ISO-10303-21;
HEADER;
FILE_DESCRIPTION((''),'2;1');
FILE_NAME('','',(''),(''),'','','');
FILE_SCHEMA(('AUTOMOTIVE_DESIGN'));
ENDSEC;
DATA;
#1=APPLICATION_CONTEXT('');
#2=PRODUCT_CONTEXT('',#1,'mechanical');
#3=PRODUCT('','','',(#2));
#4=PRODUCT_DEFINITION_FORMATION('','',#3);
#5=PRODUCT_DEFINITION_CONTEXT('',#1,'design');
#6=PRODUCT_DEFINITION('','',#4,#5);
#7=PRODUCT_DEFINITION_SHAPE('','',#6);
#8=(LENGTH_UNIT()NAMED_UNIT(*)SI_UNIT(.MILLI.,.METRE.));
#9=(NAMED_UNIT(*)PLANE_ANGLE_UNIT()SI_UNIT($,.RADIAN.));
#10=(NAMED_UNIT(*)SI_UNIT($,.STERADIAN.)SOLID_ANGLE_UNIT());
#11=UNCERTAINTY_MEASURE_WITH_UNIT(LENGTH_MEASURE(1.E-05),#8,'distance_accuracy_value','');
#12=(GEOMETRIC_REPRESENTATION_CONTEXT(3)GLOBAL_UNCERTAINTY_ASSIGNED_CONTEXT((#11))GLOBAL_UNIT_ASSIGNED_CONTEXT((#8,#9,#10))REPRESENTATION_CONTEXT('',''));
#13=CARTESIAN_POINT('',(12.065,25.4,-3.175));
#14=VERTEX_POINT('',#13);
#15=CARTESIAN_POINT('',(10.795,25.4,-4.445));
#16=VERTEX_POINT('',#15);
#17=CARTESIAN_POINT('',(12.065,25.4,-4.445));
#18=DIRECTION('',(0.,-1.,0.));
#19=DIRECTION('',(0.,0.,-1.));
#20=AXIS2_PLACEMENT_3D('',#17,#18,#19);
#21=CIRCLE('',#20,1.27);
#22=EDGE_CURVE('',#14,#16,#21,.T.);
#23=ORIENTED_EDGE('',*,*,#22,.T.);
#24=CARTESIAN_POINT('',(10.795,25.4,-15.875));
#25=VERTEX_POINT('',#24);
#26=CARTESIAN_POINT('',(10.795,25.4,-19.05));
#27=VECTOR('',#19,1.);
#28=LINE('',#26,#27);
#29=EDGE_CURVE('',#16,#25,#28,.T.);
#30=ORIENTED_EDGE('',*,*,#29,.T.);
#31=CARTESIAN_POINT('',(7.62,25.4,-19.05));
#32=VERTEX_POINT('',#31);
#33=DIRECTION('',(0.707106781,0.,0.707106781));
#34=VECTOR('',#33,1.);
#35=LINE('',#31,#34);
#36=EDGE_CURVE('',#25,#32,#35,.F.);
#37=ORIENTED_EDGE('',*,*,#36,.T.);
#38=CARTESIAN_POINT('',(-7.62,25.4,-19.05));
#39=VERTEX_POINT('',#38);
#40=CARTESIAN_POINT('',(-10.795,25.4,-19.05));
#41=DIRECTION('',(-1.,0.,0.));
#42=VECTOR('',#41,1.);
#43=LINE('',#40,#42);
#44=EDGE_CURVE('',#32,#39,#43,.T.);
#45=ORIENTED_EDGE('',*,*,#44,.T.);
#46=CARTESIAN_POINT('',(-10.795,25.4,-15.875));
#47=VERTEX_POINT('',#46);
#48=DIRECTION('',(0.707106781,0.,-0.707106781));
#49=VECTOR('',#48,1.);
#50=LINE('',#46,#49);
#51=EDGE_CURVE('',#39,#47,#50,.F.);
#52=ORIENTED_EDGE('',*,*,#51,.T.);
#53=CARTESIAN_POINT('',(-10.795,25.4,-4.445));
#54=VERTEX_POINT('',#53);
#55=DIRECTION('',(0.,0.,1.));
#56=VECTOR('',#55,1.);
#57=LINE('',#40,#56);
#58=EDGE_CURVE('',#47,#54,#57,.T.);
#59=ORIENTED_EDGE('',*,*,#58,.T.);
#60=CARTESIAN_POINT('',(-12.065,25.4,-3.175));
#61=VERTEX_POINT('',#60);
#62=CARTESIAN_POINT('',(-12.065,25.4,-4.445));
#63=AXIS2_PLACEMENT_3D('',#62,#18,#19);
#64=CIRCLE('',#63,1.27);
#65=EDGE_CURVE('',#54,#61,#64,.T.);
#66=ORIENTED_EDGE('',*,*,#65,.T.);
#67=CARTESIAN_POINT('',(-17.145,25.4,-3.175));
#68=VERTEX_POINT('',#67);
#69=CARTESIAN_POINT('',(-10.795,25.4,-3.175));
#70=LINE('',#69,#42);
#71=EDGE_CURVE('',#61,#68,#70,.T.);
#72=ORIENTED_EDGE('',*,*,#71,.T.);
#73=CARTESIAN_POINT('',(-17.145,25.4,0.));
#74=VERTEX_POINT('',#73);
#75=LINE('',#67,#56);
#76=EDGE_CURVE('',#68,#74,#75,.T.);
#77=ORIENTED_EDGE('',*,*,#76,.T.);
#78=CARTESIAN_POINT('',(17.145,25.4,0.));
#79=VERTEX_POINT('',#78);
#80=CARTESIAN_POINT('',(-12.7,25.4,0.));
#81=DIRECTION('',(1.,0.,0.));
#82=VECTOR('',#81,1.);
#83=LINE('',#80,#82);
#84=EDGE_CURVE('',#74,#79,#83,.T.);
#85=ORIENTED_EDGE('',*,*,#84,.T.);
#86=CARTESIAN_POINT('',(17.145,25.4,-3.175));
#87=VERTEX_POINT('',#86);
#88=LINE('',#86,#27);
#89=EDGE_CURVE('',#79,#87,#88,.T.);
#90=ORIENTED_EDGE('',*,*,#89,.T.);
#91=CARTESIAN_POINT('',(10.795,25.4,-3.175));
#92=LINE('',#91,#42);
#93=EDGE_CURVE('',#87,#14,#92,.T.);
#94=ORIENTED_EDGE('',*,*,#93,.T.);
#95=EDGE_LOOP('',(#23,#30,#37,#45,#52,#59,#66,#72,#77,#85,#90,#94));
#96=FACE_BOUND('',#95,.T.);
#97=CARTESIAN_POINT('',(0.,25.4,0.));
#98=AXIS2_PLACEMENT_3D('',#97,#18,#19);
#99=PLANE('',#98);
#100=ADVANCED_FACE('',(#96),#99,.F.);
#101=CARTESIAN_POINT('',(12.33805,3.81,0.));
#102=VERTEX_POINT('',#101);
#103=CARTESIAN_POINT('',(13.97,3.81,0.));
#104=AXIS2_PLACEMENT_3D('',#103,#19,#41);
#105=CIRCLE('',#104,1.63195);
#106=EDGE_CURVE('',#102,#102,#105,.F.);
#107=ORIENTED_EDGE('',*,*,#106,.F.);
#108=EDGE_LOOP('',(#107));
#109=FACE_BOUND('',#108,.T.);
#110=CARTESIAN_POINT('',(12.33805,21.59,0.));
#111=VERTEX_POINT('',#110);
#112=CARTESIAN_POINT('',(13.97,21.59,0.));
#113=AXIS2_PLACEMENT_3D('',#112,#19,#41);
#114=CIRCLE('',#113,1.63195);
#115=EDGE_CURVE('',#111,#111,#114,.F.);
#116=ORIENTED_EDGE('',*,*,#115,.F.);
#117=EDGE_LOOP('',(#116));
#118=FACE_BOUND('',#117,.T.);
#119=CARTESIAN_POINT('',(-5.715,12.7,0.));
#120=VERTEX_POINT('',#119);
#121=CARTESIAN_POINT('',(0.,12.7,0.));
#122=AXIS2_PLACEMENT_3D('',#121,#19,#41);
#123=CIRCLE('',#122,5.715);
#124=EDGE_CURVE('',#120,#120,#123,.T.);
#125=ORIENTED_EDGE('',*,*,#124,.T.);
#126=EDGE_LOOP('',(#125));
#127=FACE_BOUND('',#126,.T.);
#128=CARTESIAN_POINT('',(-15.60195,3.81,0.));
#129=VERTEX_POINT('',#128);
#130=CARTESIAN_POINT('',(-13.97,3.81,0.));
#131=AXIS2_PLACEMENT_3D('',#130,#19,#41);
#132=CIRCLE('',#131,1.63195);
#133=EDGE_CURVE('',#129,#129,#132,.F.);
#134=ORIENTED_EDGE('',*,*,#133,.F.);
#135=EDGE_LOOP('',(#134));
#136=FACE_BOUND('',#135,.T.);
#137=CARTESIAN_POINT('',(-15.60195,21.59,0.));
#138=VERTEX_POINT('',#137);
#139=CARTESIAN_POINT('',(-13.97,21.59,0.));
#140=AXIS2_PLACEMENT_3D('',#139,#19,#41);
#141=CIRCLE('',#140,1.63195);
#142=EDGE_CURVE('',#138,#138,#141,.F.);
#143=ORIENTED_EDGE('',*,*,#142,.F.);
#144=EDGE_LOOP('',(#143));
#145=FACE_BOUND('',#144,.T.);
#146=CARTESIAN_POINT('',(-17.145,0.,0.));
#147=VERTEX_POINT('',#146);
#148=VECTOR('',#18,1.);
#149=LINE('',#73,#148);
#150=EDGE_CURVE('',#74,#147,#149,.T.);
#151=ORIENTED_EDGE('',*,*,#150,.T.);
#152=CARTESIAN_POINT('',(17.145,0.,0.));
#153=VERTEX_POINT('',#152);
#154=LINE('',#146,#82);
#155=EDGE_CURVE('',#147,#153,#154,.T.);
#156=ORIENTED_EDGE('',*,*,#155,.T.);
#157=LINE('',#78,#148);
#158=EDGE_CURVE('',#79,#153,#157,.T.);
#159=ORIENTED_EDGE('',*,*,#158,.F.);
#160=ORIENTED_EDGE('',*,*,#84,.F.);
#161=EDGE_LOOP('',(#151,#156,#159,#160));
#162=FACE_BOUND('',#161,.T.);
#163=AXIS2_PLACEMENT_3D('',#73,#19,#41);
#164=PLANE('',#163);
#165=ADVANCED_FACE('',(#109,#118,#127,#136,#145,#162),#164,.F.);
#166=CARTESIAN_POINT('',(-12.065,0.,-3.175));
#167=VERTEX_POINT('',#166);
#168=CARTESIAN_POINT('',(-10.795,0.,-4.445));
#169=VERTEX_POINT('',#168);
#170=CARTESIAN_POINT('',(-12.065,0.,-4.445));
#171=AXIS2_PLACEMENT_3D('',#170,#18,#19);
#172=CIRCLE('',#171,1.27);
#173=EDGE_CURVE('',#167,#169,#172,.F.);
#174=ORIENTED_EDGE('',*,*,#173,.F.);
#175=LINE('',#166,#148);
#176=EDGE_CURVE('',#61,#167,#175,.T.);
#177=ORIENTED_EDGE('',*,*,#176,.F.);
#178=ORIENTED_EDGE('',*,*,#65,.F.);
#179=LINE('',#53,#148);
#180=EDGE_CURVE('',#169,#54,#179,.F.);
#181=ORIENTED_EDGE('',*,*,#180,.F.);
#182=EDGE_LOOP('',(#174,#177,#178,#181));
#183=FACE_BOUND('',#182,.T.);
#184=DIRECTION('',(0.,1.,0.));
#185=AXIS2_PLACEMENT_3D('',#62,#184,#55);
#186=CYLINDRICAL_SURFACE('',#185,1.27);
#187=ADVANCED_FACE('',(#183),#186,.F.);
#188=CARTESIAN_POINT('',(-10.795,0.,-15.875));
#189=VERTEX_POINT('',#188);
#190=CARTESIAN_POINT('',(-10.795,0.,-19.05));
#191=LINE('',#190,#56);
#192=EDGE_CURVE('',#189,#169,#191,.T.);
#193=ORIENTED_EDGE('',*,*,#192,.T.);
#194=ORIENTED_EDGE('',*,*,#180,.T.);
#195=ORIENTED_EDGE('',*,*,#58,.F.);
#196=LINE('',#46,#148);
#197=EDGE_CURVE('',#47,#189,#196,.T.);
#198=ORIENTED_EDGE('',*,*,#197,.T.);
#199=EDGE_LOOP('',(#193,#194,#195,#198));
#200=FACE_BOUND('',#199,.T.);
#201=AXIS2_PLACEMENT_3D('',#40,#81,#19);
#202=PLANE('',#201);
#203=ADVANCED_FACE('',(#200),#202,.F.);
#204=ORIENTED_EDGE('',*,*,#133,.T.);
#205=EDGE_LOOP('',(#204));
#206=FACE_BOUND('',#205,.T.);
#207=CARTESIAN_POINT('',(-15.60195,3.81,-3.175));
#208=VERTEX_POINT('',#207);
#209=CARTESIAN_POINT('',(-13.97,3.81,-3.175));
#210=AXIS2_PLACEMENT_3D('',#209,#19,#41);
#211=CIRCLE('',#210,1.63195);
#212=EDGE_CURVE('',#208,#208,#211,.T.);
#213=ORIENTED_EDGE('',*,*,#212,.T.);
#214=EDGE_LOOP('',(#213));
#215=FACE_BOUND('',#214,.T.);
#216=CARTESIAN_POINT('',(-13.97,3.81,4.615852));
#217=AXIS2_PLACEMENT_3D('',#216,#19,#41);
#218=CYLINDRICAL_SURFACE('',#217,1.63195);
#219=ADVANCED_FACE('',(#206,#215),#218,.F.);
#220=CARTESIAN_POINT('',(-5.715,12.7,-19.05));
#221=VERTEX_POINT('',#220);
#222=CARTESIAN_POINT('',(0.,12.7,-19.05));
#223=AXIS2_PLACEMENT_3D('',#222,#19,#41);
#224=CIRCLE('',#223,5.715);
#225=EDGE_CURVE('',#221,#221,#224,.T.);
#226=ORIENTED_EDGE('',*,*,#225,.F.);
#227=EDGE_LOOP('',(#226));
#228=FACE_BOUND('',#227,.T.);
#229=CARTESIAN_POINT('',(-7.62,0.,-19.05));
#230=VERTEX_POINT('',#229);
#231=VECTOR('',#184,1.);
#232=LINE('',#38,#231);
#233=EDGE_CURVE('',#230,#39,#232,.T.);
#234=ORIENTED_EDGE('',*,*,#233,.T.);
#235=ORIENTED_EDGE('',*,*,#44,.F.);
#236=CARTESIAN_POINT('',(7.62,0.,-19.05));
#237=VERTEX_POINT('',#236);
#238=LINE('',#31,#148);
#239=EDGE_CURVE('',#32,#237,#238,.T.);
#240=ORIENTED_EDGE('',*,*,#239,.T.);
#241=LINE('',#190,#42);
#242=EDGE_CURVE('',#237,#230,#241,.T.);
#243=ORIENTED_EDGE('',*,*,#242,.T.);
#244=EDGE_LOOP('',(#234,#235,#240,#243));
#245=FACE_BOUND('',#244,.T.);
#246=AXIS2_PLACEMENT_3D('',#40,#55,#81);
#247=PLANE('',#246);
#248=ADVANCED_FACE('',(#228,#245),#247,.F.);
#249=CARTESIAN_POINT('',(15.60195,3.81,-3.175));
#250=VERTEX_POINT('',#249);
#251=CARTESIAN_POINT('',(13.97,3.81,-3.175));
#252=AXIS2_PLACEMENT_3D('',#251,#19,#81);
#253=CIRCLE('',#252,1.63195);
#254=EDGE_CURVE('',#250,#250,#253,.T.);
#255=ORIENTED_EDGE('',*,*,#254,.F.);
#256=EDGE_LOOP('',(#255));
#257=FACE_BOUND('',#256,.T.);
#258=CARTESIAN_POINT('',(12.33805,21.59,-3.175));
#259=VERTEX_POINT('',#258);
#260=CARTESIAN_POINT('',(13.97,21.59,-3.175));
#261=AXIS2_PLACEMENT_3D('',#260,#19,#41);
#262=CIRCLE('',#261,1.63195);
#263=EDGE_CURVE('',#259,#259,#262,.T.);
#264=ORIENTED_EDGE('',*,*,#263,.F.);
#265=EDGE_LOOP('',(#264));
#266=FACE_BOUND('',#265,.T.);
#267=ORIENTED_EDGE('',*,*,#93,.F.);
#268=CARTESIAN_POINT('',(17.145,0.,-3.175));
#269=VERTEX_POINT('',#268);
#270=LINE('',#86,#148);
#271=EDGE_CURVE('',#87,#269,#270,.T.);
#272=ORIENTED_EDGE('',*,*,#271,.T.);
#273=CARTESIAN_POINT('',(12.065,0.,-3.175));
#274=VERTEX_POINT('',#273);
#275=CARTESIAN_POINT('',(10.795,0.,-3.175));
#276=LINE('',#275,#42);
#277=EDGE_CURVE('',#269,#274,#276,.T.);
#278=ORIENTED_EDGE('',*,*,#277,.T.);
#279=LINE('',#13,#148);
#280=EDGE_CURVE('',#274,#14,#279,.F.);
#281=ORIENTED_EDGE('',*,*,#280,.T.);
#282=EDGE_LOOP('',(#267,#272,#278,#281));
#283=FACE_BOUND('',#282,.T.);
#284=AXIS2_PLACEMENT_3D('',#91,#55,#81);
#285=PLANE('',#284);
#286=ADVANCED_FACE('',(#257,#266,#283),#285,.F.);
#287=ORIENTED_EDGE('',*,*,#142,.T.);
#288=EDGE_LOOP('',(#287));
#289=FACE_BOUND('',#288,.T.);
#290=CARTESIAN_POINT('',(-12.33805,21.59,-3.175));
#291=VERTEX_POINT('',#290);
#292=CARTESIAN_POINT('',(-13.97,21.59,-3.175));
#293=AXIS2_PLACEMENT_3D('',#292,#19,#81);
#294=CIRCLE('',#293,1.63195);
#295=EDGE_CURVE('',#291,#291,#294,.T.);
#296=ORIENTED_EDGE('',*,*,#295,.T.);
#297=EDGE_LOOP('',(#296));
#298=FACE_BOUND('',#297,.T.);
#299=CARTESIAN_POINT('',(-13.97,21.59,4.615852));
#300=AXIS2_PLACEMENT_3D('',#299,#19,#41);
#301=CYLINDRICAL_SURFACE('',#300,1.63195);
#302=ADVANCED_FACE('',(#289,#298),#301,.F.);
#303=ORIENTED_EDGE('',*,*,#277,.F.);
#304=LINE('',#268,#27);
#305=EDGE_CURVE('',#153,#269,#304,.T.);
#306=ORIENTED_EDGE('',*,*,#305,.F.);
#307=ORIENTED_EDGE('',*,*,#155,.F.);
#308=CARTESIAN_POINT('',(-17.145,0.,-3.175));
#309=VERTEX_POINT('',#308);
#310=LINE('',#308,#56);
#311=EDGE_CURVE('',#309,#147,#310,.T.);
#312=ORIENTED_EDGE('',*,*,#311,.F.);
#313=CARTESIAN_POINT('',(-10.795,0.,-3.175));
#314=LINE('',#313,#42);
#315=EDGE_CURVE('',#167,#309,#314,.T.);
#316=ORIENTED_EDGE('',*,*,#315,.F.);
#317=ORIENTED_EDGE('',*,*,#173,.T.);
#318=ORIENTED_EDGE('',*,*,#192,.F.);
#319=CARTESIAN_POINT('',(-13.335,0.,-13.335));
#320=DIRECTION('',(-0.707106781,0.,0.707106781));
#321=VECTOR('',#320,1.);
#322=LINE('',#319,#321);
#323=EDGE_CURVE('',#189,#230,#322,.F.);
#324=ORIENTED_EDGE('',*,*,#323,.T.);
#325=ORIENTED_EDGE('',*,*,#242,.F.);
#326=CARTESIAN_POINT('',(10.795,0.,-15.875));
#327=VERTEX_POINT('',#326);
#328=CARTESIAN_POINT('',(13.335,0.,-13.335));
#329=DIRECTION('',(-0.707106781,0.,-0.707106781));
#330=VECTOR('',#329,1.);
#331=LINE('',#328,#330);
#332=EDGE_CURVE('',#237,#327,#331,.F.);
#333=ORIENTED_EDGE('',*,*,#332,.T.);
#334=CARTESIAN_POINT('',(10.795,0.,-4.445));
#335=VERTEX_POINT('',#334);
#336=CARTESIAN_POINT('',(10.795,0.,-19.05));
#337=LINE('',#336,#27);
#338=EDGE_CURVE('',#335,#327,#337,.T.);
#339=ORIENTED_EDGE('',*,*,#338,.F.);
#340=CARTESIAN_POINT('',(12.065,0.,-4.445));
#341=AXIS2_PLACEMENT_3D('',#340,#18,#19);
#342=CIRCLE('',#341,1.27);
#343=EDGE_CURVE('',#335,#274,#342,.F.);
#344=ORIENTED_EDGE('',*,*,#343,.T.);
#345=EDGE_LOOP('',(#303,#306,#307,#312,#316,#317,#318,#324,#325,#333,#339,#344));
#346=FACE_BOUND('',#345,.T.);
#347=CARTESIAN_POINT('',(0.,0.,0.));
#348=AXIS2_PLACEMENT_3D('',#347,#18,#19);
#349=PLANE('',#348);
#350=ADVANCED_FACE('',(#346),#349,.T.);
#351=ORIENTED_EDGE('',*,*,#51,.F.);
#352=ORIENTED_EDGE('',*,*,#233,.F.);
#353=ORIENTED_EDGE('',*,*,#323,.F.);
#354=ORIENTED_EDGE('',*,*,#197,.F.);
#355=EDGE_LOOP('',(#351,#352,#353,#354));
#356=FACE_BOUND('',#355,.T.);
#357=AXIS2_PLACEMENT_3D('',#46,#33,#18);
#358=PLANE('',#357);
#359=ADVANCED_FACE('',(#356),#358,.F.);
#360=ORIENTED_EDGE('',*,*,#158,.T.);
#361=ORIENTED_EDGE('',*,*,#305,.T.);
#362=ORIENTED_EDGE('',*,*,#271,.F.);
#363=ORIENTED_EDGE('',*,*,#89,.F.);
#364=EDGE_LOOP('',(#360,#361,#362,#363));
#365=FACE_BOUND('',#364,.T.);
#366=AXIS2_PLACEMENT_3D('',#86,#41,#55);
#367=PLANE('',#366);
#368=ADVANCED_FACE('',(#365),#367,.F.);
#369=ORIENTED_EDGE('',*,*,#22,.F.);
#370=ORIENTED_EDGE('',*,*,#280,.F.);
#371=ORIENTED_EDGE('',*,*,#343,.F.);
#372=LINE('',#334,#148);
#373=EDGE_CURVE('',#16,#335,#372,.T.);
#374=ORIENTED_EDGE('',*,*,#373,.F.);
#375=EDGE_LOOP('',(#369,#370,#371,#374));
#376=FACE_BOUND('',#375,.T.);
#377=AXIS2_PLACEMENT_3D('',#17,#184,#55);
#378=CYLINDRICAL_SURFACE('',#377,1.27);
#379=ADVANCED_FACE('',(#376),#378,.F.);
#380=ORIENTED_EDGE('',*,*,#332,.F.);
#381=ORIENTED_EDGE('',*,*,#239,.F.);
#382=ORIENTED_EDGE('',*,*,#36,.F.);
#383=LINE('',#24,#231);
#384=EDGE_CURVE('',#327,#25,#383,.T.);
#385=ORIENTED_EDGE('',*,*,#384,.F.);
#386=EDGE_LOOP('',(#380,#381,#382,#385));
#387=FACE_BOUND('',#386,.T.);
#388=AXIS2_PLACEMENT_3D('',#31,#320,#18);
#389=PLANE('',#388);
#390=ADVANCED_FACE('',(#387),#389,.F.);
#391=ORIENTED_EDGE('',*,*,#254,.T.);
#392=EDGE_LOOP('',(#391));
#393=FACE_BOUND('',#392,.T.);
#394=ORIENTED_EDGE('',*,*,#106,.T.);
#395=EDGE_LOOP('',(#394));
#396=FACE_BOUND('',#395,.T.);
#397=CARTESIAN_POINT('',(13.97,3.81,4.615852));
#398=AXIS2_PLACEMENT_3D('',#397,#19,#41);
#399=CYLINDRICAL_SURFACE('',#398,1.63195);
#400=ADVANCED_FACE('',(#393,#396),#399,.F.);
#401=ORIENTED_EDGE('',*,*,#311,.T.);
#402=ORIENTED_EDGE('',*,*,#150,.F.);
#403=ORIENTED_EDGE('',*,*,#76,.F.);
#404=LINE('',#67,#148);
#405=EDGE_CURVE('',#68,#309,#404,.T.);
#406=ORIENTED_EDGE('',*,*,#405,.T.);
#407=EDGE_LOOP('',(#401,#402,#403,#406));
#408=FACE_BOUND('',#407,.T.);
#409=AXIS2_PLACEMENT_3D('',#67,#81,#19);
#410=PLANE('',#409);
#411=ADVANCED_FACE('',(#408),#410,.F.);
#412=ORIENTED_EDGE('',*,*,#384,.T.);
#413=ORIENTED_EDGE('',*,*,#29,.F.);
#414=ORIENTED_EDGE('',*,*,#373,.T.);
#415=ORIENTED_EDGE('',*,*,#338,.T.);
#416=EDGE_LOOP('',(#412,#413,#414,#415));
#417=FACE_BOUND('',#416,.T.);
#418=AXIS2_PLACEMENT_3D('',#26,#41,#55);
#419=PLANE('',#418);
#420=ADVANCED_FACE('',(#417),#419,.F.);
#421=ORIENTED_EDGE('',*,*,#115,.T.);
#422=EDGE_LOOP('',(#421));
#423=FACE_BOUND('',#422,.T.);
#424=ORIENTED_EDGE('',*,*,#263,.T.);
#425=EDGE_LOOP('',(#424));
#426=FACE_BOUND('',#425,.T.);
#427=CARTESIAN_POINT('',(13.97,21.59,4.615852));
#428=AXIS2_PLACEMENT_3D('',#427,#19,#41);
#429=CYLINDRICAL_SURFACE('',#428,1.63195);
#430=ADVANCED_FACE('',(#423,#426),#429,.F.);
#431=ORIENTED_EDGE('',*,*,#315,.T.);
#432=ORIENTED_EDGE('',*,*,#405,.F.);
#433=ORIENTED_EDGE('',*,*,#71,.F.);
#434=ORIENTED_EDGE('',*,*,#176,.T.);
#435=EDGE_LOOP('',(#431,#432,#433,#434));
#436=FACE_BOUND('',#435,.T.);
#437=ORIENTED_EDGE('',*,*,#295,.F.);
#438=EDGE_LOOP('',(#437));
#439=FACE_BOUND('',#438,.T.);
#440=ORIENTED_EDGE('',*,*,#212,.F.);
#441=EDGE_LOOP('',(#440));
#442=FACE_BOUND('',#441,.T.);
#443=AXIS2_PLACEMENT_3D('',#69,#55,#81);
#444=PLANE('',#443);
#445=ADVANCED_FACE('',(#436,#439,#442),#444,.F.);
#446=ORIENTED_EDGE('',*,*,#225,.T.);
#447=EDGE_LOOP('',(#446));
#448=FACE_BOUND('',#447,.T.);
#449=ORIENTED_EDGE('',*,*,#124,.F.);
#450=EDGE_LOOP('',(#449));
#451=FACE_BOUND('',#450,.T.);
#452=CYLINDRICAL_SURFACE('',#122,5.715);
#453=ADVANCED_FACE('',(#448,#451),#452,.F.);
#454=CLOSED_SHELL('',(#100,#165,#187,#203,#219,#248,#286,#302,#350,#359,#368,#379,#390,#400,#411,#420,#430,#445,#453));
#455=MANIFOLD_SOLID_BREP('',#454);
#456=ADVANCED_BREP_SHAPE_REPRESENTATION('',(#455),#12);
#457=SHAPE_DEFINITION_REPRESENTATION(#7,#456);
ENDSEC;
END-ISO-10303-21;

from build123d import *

# Parameters (mm, degrees)
BOSS_EXTRUDE4_DEPTH = 25.4
CHAMFER1_SIZE       = 3.175
SKETCH10_R          = 1.63195
CUT_EXTRUDE3_DEPTH  = 3.175
SKETCH11_R          = 5.715
CUT_EXTRUDE4_DEPTH  = 20.05
FILLET1_R           = 1.27


with BuildPart() as part:
    # Sketch4 → Boss-Extrude4 (new body)
    with BuildSketch(Plane(origin=(0, 0, 0), x_dir=(1, 0, 0), z_dir=(0, 1, 0))):
        Polygon((-10.795, 3.175), (-17.145, 3.175), (-17.145, 0), (-12.7, 0), (12.7, 0), (17.145, 0), (17.145, 3.175), (10.795, 3.175), (10.795, 19.05), (-10.795, 19.05), align=None)
    extrude(amount=BOSS_EXTRUDE4_DEPTH)

    # Chamfer1
    chamfer1_edges = [part.edges().sort_by_distance(p)[0] for p in [
        (-10.795, 12.7, -19.05),
        (10.795, 12.7, -19.05),
    ]]
    chamfer(chamfer1_edges, length=CHAMFER1_SIZE)

    # Sketch10 → Cut-Extrude3 (cut)
    with BuildSketch(Plane(origin=(0, 0, -3.175), x_dir=(-1, 0, 0), z_dir=(0, 0, -1))):
        with Locations((-13.97, 21.59)):
            Circle(SKETCH10_R)
        with Locations((-13.97, 3.81)):
            Circle(SKETCH10_R)
        with Locations((13.97, 3.81)):
            Circle(SKETCH10_R)
        with Locations((13.97, 21.59)):
            Circle(SKETCH10_R)
    extrude(amount=-CUT_EXTRUDE3_DEPTH, mode=Mode.SUBTRACT)

    # Sketch11 → Cut-Extrude4 (cut, through all)
    with BuildSketch(Plane(origin=(0, 0, -19.05), x_dir=(-1, 0, 0), z_dir=(0, 0, -1))):
        with Locations((0, 12.7)):
            Circle(SKETCH11_R)
    extrude(amount=-CUT_EXTRUDE4_DEPTH, mode=Mode.SUBTRACT)

    # Fillet1
    fillet1_edges = [part.edges().sort_by_distance(p)[0] for p in [
        (-10.795, 12.7, -3.175),
        (10.795, 12.7, -3.175),
    ]]
    fillet(fillet1_edges, radius=FILLET1_R)


solid = part.part
